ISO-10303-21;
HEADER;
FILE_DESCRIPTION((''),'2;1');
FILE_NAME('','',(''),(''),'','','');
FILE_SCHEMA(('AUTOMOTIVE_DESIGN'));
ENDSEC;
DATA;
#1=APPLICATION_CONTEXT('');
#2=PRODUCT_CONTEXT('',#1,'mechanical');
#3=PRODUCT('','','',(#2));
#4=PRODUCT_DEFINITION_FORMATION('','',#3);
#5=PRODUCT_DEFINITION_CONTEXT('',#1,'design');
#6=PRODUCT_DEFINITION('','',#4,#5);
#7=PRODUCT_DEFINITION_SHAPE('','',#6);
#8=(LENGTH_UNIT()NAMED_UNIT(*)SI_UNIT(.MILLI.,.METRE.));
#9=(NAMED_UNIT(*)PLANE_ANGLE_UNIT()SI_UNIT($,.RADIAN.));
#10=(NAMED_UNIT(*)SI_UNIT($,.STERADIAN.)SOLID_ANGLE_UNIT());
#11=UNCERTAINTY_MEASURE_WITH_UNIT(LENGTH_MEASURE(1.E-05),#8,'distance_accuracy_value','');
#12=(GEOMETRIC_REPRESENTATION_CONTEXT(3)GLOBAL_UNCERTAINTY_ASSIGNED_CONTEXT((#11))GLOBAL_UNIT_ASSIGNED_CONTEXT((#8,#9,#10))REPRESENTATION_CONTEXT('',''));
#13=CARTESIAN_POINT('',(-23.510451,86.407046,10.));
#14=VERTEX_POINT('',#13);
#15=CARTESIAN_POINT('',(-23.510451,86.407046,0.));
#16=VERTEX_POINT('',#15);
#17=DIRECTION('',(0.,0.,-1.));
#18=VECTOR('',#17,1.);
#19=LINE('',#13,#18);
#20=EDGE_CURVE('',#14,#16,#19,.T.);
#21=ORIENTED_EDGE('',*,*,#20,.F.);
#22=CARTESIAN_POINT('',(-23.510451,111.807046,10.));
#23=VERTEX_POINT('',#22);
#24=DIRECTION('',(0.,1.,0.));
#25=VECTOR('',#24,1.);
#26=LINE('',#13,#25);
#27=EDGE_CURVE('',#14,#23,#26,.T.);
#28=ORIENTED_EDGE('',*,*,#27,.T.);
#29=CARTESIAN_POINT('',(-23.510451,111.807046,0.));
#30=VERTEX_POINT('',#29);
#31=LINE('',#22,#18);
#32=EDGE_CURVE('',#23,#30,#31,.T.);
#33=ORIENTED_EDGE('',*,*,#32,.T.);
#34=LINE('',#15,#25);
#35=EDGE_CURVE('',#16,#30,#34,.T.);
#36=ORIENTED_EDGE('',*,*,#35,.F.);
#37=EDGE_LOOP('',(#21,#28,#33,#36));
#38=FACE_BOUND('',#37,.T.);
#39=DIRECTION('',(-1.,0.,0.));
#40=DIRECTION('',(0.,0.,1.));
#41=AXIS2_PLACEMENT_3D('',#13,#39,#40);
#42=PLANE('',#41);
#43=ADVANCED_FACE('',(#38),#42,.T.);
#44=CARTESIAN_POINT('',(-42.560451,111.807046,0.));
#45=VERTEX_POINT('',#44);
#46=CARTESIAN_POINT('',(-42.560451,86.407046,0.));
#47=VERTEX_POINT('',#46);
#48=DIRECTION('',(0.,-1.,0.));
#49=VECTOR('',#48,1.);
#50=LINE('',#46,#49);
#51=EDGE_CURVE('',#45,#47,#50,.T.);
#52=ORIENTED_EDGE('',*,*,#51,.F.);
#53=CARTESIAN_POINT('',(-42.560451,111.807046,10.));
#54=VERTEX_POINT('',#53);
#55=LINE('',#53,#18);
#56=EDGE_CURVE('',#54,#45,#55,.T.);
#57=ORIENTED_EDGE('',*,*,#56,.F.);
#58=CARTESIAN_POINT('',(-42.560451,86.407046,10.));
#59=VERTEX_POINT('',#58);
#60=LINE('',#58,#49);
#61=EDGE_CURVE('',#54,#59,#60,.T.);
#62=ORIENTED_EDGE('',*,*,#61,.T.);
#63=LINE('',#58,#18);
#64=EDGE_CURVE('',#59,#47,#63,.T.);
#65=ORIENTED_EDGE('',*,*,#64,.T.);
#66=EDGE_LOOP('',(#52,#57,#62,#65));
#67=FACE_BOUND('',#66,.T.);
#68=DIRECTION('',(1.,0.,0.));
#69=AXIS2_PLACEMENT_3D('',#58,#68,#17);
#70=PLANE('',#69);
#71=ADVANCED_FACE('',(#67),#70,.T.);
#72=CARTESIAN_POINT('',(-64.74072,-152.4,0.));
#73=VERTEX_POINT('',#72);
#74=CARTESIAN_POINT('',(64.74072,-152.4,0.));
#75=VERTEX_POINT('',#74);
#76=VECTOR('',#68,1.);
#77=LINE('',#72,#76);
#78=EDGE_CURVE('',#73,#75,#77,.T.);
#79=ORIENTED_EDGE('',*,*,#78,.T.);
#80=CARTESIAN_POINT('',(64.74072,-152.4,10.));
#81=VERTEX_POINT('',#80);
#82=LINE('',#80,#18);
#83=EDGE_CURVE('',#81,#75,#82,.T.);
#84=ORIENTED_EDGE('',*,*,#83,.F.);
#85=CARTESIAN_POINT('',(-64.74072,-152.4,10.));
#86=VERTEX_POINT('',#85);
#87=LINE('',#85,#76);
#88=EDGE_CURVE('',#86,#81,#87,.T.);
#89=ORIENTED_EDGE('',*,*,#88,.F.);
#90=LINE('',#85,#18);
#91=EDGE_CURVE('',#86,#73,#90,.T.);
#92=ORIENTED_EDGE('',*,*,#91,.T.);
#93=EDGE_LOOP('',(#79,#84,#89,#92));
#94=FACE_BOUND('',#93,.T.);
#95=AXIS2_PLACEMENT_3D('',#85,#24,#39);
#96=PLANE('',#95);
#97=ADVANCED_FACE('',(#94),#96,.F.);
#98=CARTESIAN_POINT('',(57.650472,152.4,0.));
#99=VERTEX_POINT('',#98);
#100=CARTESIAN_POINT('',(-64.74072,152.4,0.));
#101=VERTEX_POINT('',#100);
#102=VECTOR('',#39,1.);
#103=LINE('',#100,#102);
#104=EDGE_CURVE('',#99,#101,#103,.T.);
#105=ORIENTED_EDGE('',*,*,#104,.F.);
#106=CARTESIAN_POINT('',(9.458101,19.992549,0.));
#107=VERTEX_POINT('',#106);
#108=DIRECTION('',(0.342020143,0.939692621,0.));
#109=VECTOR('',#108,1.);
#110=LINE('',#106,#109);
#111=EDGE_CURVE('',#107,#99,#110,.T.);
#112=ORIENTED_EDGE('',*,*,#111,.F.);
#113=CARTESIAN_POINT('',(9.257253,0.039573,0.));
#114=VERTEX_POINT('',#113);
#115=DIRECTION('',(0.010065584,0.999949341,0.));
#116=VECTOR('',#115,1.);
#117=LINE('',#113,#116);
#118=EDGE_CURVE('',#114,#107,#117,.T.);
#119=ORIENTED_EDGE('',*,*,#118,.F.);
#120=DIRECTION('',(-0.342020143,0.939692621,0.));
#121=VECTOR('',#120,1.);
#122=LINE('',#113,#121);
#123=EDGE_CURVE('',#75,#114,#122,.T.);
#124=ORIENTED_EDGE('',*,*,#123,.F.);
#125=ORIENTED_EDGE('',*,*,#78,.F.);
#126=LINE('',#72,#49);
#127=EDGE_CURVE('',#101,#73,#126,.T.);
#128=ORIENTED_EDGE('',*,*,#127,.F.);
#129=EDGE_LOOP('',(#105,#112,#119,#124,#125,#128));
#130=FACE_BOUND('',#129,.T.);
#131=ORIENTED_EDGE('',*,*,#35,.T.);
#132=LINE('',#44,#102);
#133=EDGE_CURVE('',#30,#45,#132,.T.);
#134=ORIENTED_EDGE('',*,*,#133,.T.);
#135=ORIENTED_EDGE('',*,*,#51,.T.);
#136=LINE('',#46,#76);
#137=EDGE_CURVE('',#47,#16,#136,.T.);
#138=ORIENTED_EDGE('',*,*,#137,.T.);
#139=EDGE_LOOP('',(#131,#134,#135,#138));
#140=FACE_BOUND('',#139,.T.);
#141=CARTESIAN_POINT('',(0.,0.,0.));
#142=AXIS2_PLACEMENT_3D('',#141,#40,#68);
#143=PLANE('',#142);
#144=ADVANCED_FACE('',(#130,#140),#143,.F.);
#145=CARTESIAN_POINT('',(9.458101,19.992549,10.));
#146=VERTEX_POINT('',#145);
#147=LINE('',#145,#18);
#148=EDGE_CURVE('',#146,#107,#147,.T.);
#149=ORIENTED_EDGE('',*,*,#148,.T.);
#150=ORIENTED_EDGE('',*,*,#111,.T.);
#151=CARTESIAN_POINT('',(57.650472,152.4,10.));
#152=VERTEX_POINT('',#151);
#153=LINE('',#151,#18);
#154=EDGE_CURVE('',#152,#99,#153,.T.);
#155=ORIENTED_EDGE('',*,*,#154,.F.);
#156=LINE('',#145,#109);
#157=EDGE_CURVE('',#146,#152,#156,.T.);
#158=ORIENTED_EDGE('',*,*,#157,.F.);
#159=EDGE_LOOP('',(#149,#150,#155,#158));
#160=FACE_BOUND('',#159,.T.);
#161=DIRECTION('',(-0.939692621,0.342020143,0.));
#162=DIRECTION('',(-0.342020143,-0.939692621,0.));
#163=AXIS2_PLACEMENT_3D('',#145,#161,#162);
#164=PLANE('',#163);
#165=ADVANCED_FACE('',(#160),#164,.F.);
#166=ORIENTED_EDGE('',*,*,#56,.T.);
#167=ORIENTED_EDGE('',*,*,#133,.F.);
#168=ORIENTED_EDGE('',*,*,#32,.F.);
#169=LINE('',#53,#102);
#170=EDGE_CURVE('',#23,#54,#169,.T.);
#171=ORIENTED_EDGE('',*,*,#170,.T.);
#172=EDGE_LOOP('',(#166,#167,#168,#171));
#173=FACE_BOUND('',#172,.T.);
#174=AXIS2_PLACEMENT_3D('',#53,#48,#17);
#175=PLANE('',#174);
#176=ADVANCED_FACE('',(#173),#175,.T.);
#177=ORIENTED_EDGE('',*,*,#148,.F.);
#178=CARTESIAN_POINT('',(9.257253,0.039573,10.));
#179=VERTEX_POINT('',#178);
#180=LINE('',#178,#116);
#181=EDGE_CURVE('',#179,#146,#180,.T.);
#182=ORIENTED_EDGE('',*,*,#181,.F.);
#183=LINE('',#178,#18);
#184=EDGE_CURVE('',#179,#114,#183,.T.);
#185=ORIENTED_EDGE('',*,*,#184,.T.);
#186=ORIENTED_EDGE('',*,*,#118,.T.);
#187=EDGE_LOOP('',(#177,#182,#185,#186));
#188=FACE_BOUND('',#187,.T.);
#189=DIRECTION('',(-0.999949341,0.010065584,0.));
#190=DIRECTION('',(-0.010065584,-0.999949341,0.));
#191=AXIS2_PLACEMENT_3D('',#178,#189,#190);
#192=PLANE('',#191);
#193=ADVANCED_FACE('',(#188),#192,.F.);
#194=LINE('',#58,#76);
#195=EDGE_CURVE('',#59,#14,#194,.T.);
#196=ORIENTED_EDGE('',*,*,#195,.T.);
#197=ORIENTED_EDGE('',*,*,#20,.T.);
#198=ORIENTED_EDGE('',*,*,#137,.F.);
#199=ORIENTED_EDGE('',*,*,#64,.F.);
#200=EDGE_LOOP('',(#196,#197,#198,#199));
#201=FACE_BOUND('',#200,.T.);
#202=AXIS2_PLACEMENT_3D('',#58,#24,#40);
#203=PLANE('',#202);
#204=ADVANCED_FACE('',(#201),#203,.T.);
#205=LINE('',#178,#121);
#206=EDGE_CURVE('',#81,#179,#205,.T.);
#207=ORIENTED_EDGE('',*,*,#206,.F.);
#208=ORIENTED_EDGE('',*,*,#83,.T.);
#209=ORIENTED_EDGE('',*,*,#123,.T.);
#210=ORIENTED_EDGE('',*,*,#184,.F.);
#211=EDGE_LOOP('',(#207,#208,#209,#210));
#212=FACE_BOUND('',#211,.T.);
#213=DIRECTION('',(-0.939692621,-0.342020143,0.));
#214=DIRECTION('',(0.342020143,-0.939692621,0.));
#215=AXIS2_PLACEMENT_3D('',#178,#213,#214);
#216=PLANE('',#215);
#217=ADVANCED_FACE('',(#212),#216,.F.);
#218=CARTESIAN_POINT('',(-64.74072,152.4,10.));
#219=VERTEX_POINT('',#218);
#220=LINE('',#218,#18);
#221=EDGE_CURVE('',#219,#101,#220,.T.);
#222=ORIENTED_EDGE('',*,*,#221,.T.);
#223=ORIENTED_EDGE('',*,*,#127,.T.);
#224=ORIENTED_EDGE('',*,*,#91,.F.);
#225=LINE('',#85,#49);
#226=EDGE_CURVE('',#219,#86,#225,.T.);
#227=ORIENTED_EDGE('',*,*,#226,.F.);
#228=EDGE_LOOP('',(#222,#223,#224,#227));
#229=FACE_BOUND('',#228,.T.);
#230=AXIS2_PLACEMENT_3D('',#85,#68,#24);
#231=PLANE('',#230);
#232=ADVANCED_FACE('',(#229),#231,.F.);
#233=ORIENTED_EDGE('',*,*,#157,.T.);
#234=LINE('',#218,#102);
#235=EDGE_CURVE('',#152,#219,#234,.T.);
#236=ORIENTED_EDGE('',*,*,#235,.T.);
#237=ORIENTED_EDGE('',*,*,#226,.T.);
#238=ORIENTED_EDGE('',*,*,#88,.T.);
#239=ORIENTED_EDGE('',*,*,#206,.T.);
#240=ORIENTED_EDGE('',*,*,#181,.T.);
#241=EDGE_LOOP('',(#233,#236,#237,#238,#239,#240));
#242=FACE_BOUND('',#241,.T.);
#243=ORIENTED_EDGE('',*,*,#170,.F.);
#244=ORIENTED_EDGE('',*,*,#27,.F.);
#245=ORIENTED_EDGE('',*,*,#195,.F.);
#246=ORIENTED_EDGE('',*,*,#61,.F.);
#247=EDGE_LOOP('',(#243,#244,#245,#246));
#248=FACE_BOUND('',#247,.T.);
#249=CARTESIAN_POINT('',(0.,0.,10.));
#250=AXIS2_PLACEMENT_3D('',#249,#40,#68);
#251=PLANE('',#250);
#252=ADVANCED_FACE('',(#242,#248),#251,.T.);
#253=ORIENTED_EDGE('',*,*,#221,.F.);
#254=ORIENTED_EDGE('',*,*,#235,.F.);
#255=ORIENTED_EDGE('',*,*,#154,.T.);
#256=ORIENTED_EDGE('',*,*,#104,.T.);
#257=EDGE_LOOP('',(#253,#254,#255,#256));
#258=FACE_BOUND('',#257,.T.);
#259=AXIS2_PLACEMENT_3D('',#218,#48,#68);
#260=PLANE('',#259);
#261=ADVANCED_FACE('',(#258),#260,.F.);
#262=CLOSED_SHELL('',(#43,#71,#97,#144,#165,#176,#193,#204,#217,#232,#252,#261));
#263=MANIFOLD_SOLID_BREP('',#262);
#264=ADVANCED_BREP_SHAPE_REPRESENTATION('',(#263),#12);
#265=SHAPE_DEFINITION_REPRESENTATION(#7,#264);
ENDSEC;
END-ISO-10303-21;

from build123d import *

# Parameters (mm, degrees)
SKETCH1_W           = 25.4
SKETCH1_H           = 19.05
BOSS_EXTRUDE1_DEPTH = 10


with BuildPart() as part:
    # Sketch1 → Boss-Extrude1 (new body)
    with BuildSketch(Plane(origin=(0, 0, 0), x_dir=(0, 1, 0), z_dir=(0, 0, 1))):
        Polygon((-152.4, 64.740720078), (152.4, 64.740720078), (152.4, -57.650472485), (19.992548652, -9.458101399), (0.039573298, -9.257252873), (-152.4, -64.740720078), align=None)
        with Locations((99.107046087, 33.035450901)):
            Rectangle(SKETCH1_W, SKETCH1_H, mode=Mode.SUBTRACT)
    extrude(amount=BOSS_EXTRUDE1_DEPTH)


solid = part.part
